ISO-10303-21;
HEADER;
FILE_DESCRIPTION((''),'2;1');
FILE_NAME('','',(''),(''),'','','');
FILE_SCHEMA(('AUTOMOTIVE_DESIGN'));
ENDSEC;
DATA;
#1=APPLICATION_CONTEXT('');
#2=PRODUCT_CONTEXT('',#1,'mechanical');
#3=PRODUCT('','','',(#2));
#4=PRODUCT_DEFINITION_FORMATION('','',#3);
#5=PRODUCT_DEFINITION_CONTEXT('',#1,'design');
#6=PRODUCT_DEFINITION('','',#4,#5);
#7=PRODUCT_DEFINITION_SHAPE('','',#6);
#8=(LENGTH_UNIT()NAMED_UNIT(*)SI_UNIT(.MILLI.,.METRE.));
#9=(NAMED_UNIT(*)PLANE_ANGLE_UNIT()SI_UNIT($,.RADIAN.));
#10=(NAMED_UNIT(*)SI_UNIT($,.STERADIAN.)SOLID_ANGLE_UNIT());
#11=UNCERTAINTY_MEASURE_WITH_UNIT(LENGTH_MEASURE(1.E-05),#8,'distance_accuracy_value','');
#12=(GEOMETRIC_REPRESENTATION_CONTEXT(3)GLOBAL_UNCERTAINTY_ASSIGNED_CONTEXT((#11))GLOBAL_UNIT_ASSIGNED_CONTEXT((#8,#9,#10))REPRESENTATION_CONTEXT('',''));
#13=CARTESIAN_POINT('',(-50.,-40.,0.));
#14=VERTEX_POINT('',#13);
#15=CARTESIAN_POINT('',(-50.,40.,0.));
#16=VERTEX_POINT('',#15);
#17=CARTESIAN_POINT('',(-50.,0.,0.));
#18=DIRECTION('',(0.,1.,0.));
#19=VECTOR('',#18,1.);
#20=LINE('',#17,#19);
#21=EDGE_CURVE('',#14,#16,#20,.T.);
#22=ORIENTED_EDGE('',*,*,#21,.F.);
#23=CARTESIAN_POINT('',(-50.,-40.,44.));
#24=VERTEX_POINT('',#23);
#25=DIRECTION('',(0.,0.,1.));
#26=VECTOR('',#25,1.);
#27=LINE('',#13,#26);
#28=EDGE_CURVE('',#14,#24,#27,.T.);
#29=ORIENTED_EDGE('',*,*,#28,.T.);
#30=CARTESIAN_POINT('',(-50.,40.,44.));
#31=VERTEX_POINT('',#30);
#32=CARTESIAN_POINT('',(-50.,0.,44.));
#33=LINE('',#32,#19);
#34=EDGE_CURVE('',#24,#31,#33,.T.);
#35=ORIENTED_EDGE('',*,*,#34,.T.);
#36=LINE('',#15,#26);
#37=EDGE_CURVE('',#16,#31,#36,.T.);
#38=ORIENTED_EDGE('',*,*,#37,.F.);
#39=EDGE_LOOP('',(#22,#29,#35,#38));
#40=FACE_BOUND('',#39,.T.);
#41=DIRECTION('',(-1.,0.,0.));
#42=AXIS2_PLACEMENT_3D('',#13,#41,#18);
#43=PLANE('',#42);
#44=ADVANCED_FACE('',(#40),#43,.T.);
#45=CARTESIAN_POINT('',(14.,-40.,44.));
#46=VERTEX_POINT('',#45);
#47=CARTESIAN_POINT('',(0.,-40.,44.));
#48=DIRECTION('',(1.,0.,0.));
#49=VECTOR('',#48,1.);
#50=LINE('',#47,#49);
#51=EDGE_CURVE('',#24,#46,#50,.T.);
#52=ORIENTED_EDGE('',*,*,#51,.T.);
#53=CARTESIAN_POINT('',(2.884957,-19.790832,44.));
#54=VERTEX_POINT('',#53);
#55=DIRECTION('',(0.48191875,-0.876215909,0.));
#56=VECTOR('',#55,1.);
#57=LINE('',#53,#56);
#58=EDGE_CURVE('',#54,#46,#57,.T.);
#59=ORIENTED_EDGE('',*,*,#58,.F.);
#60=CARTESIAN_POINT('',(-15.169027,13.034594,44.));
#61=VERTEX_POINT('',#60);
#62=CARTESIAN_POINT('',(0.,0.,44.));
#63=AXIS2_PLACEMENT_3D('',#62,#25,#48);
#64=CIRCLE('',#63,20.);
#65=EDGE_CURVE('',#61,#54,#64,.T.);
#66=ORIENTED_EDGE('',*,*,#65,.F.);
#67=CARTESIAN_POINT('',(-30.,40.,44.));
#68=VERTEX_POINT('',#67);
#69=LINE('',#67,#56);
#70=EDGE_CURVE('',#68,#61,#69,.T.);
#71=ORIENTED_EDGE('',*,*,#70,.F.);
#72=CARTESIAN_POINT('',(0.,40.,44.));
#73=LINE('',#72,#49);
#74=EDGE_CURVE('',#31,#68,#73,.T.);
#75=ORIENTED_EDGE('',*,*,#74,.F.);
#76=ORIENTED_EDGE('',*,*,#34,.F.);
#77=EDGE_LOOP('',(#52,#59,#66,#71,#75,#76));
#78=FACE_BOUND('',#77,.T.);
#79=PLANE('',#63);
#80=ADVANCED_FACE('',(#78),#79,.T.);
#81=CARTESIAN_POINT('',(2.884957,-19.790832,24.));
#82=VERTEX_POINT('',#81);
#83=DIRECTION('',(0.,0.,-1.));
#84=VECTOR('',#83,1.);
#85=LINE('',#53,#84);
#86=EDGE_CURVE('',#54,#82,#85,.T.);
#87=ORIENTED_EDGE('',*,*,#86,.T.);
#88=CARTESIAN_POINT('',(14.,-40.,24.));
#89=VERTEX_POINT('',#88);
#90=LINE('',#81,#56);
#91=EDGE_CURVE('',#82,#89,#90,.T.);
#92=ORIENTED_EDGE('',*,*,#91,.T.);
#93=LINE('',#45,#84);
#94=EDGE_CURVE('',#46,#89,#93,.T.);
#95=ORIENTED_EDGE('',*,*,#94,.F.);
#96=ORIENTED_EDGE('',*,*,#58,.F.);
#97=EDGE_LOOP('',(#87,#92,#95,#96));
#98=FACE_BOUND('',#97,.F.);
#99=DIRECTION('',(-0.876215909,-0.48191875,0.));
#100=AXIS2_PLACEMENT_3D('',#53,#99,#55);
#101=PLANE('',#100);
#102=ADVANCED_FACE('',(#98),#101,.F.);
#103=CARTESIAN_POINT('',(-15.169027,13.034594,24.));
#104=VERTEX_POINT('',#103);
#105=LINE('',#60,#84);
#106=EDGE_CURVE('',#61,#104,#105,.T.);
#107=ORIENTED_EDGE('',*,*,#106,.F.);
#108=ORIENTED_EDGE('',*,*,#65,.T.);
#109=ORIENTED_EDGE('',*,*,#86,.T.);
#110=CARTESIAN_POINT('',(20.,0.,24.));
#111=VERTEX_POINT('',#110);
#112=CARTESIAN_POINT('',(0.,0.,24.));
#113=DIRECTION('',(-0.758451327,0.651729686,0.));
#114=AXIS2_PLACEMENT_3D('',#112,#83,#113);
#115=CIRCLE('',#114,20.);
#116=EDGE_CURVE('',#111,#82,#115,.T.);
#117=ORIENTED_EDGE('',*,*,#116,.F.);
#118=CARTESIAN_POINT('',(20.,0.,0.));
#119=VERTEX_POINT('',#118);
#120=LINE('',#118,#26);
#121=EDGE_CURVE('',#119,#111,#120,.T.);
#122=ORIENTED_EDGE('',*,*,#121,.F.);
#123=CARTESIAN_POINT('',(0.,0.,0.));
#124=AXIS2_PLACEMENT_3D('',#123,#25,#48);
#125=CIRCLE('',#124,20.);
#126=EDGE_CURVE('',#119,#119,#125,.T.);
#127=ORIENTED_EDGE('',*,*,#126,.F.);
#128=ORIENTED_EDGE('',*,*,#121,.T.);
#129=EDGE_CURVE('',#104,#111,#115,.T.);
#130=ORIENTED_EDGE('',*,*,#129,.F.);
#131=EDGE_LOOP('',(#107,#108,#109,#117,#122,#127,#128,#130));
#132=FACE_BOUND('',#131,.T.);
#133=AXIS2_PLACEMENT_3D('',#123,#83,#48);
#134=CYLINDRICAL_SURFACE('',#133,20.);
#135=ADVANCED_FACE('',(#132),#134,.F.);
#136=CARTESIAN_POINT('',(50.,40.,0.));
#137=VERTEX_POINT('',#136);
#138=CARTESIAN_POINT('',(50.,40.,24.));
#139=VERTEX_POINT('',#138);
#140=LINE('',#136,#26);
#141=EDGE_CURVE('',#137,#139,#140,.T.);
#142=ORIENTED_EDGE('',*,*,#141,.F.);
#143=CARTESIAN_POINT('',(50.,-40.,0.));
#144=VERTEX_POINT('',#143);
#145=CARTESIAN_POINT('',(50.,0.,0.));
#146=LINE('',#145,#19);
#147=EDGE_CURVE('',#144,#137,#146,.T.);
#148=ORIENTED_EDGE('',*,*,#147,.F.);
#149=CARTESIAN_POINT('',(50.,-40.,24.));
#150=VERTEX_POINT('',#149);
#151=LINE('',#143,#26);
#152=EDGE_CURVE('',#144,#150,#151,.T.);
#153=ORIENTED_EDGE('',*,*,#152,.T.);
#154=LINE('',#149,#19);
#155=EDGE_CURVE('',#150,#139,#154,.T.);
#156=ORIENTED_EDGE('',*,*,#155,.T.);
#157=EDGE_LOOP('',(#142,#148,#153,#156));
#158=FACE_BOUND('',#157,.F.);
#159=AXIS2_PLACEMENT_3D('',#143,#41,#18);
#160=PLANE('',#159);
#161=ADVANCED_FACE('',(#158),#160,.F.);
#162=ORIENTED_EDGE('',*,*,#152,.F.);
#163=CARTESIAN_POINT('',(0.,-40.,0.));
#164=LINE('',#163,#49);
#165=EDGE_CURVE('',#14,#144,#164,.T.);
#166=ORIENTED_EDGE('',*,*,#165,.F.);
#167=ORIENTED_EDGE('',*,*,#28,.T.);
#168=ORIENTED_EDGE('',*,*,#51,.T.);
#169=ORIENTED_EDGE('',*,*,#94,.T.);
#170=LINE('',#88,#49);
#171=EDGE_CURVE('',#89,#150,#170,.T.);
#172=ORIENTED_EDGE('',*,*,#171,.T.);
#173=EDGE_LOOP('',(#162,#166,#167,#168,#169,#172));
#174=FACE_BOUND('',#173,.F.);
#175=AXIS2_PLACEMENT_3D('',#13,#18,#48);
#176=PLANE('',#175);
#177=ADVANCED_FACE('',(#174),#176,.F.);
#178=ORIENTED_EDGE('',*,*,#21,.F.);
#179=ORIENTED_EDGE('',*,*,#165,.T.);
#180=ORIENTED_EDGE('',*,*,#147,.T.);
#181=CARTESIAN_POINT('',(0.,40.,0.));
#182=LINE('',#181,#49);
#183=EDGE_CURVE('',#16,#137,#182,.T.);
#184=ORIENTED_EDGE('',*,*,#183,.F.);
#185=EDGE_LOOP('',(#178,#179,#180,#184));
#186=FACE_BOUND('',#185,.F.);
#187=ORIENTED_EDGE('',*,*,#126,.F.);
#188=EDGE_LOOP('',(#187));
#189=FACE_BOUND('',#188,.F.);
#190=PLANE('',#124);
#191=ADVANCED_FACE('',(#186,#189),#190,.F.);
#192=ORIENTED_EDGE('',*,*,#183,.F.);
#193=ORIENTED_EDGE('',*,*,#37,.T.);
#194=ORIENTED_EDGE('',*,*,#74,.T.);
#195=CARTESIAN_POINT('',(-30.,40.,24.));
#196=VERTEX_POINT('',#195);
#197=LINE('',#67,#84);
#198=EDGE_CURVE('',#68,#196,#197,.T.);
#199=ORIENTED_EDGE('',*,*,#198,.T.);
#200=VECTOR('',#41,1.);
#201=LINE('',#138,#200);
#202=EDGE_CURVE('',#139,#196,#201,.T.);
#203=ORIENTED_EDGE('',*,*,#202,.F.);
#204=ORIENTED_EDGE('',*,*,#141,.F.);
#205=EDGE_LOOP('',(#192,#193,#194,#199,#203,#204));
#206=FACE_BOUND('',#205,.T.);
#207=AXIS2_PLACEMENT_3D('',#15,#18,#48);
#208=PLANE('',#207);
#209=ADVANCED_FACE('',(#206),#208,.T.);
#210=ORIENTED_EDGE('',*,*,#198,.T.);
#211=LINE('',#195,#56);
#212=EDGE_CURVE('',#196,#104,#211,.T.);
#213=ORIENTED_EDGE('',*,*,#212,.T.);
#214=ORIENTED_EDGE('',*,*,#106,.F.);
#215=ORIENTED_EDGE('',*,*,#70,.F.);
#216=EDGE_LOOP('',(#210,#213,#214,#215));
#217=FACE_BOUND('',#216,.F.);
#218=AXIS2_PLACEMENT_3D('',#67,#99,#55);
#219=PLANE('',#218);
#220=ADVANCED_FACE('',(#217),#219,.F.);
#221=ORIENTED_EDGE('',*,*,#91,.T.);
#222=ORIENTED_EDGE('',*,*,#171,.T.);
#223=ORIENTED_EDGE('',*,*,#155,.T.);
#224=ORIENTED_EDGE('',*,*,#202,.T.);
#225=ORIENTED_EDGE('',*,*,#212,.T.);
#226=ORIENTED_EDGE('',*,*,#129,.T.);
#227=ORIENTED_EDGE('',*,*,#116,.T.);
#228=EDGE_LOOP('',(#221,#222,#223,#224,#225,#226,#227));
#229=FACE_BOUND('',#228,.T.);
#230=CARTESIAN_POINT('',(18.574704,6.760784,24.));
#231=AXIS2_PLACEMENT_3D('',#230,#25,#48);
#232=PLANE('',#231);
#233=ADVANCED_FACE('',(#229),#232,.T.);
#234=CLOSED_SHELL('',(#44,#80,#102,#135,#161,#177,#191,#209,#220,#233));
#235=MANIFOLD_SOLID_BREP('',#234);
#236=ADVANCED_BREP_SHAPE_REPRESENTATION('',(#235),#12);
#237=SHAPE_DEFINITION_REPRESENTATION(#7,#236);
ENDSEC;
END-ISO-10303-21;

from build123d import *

# Parameters (mm, degrees)
F0_W     = 100
F0_H     = 80
F0_R     = 20
F1_DEPTH = 44
F3_DEPTH = 20


with BuildPart() as f1:
    # F0 (on Top) → F1 (new body)
    with BuildSketch(Plane.XY):
        Rectangle(F0_W, F0_H)
        Circle(F0_R, mode=Mode.SUBTRACT)
    extrude(amount=F1_DEPTH)

    # F2 (on face) → F3 (cut)
    with BuildSketch(Plane.XY.offset(44)):
        with BuildLine():
            Line((50, -40), (50, 40))
            Line((50, 40), (-30, 40))
            Line((-30, 40), (-15.1690265486, 13.0345937247))
            ThreePointArc((-15.1690265486, 13.0345937247), (6.9505204492, 18.7534067701), (20, 0))
            ThreePointArc((20, 0), (15.1277749358, -13.0824472287), (2.8849574507, -19.7908317285))
            Line((2.8849574507, -19.7908317285), (14, -40))
            Line((14, -40), (50, -40))
        make_face()
    extrude(amount=-F3_DEPTH, mode=Mode.SUBTRACT)


solid = f1.part
